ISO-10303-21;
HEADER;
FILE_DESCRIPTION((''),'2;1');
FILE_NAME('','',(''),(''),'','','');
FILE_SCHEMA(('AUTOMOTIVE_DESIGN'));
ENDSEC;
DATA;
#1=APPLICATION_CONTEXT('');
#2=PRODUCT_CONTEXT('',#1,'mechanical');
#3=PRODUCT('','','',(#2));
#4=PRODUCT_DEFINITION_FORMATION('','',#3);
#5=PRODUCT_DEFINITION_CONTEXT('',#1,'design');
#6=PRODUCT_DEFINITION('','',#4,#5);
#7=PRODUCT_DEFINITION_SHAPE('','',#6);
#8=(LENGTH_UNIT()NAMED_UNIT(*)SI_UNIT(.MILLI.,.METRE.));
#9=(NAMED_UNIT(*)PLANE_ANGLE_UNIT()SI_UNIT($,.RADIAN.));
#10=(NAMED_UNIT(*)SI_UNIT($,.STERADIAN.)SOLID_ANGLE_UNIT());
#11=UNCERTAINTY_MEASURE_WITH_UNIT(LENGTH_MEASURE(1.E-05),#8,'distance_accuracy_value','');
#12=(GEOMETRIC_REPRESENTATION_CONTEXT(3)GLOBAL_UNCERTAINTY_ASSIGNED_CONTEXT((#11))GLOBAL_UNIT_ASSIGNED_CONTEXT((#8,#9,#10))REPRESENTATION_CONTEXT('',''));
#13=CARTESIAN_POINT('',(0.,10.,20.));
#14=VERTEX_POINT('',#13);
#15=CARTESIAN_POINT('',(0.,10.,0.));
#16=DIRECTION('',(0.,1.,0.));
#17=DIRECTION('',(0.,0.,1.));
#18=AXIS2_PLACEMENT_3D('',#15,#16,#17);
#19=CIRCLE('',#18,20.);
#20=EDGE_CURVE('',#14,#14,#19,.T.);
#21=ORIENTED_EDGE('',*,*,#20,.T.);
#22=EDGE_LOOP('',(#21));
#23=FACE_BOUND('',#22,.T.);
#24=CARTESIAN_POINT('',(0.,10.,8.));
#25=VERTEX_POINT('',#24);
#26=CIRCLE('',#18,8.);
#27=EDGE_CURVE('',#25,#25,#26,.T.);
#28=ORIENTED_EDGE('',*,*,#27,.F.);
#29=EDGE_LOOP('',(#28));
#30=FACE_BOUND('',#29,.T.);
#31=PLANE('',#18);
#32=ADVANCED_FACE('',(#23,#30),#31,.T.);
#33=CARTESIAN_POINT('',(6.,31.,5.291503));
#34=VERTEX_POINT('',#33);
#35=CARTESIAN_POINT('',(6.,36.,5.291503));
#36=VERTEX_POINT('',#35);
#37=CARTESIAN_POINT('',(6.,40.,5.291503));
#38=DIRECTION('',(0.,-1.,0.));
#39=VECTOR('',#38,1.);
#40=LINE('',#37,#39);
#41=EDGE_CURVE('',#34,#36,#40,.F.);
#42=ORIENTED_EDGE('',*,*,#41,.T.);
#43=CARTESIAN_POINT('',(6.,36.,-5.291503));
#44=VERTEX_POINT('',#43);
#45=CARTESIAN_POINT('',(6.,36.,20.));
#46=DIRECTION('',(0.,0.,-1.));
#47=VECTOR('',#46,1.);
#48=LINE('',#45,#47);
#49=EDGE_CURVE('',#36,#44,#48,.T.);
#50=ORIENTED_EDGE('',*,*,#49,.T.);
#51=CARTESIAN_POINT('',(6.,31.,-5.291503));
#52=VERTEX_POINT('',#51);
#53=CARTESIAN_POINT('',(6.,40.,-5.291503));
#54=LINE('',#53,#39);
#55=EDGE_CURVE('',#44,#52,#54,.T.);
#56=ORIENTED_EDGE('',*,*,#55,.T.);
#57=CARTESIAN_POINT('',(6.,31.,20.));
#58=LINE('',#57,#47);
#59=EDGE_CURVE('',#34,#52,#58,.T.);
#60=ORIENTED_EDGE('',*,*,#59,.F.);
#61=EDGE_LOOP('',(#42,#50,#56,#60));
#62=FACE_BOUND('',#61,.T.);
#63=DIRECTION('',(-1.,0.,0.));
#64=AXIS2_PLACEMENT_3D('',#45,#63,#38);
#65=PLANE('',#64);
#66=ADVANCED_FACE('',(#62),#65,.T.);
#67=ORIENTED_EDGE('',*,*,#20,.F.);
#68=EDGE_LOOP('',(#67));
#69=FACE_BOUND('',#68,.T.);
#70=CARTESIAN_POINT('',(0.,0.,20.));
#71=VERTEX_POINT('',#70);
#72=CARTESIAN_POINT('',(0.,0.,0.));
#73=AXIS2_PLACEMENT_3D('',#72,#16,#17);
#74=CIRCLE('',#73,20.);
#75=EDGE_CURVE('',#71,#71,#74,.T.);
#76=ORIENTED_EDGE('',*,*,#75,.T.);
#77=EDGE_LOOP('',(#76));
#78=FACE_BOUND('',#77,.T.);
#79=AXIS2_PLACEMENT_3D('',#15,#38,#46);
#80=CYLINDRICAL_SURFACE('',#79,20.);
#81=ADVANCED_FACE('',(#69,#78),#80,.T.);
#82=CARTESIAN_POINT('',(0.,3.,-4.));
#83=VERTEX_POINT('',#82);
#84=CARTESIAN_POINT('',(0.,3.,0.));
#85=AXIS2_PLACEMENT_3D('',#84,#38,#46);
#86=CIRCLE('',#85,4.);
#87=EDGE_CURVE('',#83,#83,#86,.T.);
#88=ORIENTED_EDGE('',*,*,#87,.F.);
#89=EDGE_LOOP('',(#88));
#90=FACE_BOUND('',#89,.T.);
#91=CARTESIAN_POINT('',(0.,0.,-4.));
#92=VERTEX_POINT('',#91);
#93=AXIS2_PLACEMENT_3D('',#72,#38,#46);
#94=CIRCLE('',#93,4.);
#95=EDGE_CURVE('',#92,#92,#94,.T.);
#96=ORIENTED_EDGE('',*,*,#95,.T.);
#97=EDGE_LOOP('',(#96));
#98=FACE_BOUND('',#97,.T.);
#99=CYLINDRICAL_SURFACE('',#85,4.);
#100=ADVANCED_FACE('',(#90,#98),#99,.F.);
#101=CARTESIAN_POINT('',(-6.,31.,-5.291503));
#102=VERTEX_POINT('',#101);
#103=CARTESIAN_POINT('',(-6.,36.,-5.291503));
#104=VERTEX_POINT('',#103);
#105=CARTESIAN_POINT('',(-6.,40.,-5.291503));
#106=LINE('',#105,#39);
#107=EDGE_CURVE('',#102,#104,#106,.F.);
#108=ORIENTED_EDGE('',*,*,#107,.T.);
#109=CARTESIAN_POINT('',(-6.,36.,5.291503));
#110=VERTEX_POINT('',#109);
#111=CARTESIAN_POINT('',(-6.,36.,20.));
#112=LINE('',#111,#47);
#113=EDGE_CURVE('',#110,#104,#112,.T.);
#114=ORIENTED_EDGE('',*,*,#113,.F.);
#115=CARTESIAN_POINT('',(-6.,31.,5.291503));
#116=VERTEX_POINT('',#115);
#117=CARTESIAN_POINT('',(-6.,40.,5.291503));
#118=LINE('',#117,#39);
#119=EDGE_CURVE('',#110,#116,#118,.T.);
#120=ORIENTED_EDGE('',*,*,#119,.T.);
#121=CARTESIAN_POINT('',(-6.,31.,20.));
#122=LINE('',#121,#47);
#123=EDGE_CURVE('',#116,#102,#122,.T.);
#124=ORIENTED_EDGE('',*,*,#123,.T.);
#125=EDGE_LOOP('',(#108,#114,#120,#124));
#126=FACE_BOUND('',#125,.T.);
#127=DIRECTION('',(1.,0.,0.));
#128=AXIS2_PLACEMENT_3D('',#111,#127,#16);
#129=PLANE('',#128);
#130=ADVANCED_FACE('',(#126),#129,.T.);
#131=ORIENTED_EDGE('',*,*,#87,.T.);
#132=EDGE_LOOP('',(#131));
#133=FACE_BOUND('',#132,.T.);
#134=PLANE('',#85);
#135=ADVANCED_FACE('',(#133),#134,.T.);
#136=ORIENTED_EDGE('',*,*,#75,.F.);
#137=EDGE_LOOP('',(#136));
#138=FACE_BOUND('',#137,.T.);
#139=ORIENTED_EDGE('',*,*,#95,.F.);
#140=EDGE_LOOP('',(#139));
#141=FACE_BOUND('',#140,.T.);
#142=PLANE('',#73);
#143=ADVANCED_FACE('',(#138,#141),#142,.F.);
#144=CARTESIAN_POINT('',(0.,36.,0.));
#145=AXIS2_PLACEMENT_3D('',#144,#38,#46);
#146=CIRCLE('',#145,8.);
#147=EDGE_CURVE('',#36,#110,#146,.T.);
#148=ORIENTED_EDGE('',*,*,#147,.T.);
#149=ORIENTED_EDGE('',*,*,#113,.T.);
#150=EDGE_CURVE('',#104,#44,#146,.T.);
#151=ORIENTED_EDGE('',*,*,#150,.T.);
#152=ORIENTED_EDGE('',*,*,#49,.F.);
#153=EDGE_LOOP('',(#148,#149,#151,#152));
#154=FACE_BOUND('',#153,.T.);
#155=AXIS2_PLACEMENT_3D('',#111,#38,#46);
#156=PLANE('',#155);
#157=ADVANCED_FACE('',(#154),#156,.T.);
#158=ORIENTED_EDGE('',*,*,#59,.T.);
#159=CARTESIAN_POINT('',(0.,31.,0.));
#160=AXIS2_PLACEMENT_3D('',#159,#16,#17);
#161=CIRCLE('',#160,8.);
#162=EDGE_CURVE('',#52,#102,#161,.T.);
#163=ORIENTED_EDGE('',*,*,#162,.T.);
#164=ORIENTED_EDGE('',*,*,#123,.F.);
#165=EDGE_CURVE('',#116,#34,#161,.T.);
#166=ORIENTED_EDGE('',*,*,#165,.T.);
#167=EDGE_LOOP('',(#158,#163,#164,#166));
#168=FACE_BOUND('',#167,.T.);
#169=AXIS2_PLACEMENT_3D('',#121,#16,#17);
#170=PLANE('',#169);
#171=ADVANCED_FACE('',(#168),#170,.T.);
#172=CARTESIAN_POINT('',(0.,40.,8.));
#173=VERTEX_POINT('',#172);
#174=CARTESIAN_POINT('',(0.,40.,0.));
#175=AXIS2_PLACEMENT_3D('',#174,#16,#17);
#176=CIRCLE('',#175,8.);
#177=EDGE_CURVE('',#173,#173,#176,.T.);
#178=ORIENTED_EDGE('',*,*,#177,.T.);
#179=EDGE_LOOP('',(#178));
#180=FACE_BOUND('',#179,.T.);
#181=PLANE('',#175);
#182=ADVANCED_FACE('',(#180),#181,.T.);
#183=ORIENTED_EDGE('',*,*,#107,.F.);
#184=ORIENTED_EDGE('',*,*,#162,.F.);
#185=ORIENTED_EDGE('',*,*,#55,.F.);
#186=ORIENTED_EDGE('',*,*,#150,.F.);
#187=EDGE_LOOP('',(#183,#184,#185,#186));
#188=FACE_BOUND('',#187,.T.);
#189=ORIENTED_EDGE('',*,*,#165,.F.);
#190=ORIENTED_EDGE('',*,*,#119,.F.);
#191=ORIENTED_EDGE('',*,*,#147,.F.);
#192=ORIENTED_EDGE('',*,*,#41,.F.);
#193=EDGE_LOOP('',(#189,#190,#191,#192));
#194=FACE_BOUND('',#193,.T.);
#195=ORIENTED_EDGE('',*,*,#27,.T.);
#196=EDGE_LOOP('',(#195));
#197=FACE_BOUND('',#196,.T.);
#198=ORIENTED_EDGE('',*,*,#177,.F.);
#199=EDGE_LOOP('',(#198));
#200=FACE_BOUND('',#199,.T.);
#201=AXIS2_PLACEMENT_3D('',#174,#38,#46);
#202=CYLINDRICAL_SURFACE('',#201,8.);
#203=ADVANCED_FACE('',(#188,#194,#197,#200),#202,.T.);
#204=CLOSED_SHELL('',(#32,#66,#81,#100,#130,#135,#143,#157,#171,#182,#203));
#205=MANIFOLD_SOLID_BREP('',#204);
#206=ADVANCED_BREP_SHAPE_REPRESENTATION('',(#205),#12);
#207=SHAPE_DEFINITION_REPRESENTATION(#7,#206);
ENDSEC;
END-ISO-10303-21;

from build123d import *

# Parameters (mm, degrees)
SKETCH2_R               = 20
BOSS_EXTRUDE1_DEPTH     = 10
SKETCH3_R               = 8
BOSS_EXTRUDE2_DEPTH     = 30
CUT_EXTRUDE1_DEPTH      = 49.989794856
CUT_EXTRUDE1_DEPTH_BACK = 49.989794856
SKETCH4_W               = 12
SKETCH4_H               = 5
SKETCH5_R               = 4
CUT_EXTRUDE2_DEPTH      = 3


with BuildPart() as part:
    # Sketch2 → Boss-Extrude1 (new body)
    with BuildSketch(Plane(origin=(0, 0, 0), x_dir=(1, 0, 0), z_dir=(0, 1, 0))):
        with Locations(Location((0, 0, 0), (0, 0, 270))):
            Circle(SKETCH2_R)
    extrude(amount=BOSS_EXTRUDE1_DEPTH)

    # Sketch3 → Boss-Extrude2 (add)
    with BuildSketch(Plane(origin=(0, 10, 0), x_dir=(1, 0, 0), z_dir=(0, 1, 0))):
        with Locations(Location((0, 0, 0), (0, 0, 270))):
            Circle(SKETCH3_R)
    extrude(amount=BOSS_EXTRUDE2_DEPTH)

    # Sketch4 → Cut-Extrude1 (cut, two sides: drawn at the far end of the back side and taken through both)
    with BuildSketch(Plane.XY.offset(-CUT_EXTRUDE1_DEPTH_BACK)):
        with Locations((0, 33.5)):
            Rectangle(SKETCH4_W, SKETCH4_H)
    extrude(amount=CUT_EXTRUDE1_DEPTH + CUT_EXTRUDE1_DEPTH_BACK, mode=Mode.SUBTRACT)

    # Sketch5 → Cut-Extrude2 (cut)
    with BuildSketch(Plane.XZ):
        with Locations(Location((0, 0, 0), (0, 0, 270))):
            Circle(SKETCH5_R)
    extrude(amount=-CUT_EXTRUDE2_DEPTH, mode=Mode.SUBTRACT)


solid = part.part
